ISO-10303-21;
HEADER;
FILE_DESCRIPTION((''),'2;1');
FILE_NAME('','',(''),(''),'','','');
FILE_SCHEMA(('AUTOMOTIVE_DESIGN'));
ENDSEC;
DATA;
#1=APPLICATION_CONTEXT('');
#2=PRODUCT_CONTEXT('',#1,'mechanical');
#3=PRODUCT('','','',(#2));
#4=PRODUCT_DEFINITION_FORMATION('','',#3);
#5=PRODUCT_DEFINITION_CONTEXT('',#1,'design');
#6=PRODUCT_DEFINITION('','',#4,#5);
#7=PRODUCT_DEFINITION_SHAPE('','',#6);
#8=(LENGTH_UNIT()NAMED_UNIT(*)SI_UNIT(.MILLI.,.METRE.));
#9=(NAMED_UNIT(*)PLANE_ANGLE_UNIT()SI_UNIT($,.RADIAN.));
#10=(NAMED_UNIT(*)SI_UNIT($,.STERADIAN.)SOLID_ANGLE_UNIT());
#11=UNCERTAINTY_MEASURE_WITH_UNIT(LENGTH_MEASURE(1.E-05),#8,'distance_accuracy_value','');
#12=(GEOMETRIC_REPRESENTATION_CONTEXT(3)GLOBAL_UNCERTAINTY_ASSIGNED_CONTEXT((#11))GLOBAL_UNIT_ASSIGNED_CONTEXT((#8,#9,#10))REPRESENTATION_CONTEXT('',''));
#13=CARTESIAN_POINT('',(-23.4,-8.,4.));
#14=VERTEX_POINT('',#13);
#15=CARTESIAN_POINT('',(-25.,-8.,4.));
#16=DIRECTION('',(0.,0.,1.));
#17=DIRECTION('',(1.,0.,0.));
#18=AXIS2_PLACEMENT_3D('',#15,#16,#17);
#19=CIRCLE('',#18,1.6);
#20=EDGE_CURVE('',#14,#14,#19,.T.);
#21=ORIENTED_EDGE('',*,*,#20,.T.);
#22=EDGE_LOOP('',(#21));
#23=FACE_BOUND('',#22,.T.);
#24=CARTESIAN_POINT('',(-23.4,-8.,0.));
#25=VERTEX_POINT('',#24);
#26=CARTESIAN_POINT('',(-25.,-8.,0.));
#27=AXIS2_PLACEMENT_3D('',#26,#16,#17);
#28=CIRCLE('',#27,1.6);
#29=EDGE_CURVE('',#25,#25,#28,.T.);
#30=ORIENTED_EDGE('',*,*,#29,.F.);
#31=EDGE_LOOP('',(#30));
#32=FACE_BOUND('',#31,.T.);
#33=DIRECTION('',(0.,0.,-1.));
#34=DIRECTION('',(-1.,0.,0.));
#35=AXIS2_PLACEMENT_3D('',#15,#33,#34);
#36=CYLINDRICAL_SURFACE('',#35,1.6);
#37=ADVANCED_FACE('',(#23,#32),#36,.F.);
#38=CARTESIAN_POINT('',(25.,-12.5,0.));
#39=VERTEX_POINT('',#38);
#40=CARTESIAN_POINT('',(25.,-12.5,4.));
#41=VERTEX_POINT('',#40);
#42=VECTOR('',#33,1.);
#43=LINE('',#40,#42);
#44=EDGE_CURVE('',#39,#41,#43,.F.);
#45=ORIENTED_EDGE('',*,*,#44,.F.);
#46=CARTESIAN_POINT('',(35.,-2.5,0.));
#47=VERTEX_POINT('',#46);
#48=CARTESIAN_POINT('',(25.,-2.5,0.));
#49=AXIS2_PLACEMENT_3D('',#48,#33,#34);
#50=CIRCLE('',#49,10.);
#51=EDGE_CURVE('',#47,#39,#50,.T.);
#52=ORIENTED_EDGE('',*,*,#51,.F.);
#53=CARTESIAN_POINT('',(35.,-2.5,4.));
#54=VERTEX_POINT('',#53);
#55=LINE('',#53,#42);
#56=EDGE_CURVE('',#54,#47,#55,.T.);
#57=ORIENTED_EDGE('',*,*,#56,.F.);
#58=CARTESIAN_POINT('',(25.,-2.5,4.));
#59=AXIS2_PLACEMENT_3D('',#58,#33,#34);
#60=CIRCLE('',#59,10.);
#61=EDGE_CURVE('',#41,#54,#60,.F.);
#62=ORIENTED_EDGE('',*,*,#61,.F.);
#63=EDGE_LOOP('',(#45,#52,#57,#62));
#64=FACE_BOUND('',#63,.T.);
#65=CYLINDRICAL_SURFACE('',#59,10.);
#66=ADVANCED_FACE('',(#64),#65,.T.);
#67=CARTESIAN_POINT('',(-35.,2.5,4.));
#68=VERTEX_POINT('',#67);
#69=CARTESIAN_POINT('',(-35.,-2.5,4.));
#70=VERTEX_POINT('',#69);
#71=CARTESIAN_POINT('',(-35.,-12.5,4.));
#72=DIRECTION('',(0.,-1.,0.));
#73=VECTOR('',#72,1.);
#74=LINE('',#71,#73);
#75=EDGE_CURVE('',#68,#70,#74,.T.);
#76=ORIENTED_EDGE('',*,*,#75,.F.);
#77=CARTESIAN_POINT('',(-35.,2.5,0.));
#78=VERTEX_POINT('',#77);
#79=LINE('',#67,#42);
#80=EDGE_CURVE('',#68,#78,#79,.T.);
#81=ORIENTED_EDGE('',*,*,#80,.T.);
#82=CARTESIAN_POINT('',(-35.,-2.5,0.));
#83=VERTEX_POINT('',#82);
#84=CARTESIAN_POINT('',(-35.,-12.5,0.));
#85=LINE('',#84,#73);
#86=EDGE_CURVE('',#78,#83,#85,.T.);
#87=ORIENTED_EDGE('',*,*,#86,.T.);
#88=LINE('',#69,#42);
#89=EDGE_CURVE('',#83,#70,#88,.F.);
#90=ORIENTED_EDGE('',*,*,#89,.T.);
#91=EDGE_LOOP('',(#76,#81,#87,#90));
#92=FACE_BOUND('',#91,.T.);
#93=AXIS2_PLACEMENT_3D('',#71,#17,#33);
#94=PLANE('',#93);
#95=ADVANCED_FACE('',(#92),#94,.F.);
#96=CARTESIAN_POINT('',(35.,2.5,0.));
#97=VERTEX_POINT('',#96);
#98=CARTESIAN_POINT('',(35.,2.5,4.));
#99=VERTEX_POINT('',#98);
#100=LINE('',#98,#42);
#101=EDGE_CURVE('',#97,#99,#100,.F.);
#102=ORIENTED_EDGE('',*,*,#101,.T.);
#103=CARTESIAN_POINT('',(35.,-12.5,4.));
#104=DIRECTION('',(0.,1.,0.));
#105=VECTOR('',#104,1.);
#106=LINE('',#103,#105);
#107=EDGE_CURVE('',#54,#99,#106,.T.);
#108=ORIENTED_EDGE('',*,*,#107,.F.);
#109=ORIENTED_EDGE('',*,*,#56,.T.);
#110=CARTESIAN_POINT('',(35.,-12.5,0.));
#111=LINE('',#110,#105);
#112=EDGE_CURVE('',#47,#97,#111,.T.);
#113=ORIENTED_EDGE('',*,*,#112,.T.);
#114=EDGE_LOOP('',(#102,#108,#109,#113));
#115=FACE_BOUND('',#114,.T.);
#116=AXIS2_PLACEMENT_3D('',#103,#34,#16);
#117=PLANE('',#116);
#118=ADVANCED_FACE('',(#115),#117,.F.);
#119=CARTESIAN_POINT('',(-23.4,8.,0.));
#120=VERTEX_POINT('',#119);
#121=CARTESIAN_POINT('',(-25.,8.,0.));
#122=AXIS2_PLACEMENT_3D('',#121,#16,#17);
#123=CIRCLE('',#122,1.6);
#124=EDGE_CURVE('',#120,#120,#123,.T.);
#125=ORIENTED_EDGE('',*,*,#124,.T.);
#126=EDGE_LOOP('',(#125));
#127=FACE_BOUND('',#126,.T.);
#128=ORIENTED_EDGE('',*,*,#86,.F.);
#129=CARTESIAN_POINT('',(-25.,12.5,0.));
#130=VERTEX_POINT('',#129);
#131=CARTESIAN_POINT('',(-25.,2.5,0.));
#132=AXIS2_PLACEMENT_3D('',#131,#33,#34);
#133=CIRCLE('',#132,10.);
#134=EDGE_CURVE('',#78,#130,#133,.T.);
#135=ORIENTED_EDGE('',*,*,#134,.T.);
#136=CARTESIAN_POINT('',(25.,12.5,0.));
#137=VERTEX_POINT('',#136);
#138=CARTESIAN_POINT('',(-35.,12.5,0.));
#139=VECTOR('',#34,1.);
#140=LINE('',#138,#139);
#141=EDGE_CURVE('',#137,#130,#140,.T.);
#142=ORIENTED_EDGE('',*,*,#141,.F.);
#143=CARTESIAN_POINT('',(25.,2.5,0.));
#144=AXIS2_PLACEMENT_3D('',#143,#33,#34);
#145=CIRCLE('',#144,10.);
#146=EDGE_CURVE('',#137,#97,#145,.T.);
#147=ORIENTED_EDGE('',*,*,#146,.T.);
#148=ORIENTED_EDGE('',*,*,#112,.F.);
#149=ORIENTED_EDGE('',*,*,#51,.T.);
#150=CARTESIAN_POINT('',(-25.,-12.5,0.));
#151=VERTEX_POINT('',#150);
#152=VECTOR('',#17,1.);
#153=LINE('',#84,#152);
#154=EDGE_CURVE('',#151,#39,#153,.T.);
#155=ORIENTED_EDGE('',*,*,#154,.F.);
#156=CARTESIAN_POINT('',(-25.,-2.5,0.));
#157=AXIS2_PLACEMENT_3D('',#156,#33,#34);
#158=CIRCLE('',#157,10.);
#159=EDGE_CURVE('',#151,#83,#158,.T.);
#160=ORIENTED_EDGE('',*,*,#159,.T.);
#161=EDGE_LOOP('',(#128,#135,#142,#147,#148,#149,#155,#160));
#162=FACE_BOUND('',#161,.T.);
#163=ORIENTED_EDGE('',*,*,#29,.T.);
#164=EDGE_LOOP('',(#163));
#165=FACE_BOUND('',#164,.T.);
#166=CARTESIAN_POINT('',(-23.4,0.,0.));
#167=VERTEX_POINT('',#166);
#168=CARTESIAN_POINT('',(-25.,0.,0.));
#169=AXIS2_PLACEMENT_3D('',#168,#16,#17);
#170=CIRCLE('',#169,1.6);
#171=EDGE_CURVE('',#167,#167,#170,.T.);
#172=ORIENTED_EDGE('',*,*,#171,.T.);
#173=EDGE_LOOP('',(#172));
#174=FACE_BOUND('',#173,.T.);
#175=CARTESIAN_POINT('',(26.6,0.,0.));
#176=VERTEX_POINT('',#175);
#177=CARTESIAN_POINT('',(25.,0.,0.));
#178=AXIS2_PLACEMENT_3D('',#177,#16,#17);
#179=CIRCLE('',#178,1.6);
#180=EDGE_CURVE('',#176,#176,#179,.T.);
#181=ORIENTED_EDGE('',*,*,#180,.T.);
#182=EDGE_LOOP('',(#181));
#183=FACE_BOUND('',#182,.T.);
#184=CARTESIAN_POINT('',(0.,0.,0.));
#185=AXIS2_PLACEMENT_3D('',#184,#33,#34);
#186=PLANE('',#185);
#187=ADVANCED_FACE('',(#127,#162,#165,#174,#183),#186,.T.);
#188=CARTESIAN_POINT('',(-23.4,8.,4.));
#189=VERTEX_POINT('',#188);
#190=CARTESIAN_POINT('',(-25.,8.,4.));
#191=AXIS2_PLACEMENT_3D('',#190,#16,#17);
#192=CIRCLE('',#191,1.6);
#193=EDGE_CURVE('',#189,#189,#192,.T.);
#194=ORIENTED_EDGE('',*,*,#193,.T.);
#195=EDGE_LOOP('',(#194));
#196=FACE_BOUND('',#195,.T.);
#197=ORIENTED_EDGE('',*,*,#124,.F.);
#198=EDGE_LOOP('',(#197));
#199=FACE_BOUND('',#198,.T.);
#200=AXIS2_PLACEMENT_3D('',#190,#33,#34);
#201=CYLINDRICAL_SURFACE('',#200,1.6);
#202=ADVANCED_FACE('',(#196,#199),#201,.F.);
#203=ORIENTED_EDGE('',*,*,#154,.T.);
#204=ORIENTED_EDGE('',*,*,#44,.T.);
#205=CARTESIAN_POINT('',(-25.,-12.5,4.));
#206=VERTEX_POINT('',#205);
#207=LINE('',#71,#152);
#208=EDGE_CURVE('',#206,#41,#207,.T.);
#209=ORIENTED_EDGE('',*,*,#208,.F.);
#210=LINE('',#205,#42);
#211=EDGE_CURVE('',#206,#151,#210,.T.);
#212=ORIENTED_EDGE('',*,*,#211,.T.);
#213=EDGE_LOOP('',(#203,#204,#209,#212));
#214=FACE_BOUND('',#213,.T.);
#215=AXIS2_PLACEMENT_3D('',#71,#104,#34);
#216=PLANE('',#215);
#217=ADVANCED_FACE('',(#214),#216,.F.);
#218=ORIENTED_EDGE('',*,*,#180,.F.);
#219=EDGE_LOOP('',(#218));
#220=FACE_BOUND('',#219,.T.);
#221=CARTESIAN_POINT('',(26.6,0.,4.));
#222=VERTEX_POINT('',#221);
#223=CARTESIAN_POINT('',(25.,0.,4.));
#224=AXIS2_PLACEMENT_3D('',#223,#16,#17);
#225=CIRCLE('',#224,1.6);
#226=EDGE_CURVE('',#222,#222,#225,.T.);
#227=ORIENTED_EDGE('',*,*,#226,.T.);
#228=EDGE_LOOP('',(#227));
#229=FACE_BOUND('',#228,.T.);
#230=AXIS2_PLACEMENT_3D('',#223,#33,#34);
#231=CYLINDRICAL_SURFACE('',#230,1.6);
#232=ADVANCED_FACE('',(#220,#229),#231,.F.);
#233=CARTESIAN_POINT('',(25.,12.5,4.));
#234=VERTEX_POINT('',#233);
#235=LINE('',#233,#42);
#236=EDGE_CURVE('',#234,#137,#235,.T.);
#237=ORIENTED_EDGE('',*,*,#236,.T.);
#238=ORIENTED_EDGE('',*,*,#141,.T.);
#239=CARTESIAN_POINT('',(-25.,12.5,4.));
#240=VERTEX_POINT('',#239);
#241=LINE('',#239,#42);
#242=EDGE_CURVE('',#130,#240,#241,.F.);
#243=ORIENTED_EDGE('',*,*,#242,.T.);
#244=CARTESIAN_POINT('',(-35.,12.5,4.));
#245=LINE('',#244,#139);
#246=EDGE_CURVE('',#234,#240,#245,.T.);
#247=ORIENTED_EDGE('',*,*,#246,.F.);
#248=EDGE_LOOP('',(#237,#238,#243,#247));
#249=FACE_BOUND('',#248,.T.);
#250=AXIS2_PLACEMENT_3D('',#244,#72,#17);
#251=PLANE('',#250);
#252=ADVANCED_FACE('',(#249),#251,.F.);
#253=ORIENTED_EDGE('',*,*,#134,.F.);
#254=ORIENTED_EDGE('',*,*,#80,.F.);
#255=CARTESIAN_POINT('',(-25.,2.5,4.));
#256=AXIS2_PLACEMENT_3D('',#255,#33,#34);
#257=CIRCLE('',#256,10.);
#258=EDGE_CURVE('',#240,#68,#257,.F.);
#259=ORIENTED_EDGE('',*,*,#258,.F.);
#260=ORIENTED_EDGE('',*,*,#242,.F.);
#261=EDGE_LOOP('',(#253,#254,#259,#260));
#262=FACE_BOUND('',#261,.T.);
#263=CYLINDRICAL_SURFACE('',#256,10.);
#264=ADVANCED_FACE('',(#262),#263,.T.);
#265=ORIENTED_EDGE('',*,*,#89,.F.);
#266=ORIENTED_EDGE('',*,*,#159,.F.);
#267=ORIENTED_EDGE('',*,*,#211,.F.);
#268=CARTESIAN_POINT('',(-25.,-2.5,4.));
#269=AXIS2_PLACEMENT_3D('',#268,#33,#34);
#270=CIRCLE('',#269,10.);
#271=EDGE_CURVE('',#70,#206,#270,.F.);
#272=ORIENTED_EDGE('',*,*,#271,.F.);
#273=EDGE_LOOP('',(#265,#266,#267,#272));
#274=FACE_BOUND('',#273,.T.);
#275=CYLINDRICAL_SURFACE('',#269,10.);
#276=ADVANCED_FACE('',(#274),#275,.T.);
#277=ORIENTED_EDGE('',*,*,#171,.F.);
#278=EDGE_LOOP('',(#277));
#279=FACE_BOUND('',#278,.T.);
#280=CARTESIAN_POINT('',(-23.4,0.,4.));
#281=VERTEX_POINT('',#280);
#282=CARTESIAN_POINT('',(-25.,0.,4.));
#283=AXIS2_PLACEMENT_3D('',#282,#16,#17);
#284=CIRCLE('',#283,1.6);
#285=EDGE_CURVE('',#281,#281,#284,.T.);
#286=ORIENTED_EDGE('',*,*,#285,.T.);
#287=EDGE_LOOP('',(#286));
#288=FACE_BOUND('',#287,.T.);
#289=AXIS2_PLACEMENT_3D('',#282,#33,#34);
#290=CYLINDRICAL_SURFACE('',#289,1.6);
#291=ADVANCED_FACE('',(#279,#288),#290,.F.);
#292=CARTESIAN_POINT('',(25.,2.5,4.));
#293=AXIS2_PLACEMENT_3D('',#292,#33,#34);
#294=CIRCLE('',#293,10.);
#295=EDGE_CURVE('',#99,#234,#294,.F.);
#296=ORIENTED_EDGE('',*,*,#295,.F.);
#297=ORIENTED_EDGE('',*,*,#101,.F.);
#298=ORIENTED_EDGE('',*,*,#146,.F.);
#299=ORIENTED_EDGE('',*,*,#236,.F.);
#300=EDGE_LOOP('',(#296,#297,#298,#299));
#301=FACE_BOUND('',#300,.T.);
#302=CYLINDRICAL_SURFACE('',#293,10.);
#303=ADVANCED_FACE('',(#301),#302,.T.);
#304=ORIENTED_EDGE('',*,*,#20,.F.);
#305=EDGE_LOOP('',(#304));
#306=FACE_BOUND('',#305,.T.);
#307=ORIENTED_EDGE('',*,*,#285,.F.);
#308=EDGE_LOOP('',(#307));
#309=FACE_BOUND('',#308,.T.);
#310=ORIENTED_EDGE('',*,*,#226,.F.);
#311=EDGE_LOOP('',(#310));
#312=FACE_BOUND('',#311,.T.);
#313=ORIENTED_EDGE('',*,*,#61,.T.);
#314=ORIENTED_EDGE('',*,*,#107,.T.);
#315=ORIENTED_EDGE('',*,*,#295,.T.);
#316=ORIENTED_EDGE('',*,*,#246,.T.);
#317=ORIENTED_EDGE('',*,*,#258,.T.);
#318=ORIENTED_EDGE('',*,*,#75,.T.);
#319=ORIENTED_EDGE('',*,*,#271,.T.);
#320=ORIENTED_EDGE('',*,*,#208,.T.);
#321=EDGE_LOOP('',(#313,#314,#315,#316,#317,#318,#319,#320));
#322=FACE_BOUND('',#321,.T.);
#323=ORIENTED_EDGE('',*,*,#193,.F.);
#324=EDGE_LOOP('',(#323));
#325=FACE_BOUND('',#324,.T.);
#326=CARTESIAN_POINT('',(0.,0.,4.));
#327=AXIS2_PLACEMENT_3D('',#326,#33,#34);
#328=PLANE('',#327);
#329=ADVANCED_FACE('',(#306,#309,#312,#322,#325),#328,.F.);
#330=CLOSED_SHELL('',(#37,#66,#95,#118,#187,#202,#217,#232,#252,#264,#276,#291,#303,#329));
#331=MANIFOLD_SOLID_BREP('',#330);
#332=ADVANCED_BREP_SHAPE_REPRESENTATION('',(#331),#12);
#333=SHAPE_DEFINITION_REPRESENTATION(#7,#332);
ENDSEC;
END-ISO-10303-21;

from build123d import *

# Parameters (mm, degrees)
SKETCH_1_W      = 70
SKETCH_1_H      = 25
SKETCH_1_R      = 1.6
EXTRUDE_1_DEPTH = 4
FILLET_1_R      = 10


with BuildPart() as part:
    # 草图1 → 凸台-拉伸1 (new body)
    with BuildSketch(Plane.XY):
        Rectangle(SKETCH_1_W, SKETCH_1_H)
        with Locations((-25, 0)):
            Circle(SKETCH_1_R, mode=Mode.SUBTRACT)
        with Locations((25, 0)):
            Circle(SKETCH_1_R, mode=Mode.SUBTRACT)
        with Locations((-25, 8)):
            Circle(SKETCH_1_R, mode=Mode.SUBTRACT)
        with Locations((-25, -8)):
            Circle(SKETCH_1_R, mode=Mode.SUBTRACT)
    extrude(amount=EXTRUDE_1_DEPTH)

    # 圆角1
    fillet_1_edges = [part.edges().sort_by_distance(p)[0] for p in [
        (35, -12.5, 2),
        (-35, -12.5, 2),
        (-35, 12.5, 2),
        (35, 12.5, 2),
    ]]
    fillet(fillet_1_edges, radius=FILLET_1_R)


solid = part.part
